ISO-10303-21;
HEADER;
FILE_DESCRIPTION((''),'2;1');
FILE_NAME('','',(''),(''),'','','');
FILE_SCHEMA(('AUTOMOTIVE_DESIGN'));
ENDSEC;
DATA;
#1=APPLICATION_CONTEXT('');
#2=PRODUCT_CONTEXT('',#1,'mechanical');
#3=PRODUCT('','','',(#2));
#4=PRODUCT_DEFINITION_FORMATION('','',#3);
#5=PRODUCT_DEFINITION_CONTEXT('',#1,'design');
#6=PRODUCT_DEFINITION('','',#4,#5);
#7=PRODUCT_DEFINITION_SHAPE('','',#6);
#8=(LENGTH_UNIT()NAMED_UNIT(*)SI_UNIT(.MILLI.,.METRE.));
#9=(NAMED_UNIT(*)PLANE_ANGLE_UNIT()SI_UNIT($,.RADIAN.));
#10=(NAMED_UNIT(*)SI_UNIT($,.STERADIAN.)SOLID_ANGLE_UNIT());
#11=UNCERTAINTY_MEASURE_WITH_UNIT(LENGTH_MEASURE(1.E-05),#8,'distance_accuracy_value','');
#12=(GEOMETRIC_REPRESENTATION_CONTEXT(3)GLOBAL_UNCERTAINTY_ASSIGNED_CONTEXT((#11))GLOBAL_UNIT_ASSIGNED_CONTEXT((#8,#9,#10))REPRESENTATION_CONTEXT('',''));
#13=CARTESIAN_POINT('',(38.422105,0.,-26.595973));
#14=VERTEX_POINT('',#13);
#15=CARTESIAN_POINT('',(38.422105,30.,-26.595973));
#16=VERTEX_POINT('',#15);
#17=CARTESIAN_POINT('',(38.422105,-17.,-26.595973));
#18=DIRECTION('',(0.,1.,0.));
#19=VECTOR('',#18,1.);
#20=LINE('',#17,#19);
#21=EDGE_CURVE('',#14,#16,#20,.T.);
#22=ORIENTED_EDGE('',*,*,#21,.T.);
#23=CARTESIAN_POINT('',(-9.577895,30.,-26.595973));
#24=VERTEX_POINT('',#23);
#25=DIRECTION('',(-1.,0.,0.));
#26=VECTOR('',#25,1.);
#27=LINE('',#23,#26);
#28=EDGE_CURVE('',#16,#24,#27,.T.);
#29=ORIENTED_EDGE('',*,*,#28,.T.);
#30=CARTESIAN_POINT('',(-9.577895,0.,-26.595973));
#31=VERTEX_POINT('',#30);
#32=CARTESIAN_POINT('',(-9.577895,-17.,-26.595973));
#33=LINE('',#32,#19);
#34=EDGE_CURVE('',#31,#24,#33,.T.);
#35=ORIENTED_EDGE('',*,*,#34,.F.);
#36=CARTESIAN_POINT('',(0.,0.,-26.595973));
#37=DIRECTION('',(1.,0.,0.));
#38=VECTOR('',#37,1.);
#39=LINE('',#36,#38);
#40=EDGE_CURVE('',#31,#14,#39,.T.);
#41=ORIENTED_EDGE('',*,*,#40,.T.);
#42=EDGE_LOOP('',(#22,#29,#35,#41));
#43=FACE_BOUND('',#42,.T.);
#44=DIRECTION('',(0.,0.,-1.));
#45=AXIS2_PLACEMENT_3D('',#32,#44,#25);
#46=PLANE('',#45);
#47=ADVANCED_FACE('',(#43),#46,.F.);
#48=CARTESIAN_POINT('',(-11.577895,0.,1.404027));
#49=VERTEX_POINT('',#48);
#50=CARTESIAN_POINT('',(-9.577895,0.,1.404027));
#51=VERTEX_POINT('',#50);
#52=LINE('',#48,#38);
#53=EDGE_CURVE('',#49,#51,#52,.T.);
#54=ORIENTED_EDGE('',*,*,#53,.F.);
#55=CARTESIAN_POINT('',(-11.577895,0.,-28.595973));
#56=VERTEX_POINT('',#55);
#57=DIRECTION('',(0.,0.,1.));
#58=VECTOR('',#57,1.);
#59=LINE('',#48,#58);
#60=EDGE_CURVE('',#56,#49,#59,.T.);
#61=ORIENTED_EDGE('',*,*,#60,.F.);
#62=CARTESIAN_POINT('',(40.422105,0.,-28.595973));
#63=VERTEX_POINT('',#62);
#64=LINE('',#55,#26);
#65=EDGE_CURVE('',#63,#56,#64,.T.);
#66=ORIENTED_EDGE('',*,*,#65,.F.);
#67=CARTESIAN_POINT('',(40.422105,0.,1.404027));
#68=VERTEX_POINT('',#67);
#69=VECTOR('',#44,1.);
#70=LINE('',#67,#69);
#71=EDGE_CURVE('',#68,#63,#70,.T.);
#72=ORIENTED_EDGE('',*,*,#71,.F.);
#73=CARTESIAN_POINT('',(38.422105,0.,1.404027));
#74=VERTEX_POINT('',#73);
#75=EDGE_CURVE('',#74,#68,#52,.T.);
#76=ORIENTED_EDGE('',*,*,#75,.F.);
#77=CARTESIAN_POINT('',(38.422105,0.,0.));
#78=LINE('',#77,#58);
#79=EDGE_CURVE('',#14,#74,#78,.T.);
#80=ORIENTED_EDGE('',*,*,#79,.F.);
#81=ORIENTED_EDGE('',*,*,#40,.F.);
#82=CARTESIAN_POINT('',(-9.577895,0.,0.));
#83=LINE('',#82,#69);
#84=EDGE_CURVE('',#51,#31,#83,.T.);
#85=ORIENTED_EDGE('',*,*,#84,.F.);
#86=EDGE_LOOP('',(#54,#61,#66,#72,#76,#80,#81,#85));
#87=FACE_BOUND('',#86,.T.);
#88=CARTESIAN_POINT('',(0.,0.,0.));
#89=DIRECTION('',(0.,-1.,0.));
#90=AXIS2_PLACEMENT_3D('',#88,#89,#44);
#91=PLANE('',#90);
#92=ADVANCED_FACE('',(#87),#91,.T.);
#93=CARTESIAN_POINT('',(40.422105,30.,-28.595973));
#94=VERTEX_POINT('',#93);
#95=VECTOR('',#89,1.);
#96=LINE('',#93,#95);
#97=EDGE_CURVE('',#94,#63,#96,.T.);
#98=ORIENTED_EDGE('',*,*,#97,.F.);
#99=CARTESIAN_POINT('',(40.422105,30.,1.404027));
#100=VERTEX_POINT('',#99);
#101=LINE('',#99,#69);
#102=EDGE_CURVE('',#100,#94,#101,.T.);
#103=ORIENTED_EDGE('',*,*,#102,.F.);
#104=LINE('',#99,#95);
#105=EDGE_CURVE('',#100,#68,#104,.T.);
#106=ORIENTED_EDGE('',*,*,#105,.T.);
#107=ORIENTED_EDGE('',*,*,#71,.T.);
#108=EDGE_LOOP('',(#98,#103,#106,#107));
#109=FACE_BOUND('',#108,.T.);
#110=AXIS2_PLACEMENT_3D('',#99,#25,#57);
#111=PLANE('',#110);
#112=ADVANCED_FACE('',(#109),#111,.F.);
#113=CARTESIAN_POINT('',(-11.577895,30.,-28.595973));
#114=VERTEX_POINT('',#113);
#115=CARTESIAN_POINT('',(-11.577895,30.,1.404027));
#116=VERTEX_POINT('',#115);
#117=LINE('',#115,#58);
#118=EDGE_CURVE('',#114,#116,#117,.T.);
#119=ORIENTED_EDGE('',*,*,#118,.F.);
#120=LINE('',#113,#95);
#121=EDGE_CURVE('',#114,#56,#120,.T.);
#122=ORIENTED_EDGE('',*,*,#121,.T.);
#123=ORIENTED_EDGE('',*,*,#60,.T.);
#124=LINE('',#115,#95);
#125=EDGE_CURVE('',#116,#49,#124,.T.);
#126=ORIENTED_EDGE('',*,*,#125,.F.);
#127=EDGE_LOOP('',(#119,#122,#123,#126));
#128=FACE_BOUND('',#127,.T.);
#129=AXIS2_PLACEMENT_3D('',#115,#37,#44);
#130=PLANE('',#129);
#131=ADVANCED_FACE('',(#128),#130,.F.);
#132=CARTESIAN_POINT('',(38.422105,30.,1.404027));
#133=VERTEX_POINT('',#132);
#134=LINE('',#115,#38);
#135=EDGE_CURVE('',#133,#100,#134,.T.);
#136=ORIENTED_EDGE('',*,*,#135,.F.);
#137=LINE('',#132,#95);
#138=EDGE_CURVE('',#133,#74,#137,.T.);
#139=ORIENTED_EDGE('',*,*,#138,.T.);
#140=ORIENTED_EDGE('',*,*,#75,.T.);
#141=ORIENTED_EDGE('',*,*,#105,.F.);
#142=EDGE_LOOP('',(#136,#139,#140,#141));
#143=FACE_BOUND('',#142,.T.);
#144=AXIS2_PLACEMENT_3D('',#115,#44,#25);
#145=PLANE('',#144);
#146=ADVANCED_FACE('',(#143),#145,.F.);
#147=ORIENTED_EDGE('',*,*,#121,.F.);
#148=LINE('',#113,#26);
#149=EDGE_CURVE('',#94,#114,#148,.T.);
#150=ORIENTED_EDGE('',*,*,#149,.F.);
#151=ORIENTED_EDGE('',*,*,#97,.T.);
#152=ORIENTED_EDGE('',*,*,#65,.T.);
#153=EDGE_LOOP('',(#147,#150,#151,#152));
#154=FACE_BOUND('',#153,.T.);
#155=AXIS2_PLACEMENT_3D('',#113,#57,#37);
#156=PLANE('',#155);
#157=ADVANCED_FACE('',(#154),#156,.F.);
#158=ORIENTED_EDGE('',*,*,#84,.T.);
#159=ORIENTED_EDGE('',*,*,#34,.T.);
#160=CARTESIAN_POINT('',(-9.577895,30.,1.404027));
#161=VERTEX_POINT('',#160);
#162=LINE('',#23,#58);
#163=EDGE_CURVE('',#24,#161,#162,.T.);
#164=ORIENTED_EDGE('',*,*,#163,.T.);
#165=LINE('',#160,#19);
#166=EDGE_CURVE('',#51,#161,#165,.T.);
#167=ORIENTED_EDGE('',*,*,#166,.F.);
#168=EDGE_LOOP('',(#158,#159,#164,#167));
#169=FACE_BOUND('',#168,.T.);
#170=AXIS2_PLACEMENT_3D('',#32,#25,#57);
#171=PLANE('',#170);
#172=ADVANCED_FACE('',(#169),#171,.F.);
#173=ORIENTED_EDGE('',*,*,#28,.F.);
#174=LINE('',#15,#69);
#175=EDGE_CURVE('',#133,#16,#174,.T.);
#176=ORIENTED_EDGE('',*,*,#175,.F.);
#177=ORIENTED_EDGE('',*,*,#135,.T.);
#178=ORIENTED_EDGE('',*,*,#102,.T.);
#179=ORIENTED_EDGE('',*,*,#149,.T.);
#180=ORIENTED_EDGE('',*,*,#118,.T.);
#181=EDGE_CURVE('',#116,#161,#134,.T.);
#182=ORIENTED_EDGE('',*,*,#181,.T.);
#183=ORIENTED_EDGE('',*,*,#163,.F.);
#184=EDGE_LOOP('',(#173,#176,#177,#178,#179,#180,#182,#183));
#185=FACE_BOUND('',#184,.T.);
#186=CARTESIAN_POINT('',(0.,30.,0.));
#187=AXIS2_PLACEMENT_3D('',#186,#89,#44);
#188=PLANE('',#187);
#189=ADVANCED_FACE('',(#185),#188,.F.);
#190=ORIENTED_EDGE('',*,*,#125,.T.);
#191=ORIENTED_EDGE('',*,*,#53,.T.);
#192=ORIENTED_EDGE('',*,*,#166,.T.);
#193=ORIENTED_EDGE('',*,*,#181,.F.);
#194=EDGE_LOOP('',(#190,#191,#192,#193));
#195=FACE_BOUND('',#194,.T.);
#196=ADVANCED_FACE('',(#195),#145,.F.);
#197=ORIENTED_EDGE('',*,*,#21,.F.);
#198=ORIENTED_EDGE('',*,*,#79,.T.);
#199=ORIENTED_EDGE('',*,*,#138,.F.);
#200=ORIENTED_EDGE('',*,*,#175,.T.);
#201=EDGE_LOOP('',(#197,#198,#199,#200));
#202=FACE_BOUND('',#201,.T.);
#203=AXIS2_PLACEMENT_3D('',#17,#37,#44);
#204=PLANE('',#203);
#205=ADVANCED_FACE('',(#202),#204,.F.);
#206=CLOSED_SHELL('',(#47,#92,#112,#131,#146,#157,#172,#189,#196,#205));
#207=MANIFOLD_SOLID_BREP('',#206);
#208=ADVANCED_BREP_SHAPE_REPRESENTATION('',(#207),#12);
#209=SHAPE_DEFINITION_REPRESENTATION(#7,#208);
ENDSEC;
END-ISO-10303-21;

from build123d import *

# Parameters (mm, degrees)
ESQUISSE1_W             = 52
ESQUISSE1_H             = 30
BOSS_EXTRU_1_DEPTH      = 30
ESQUISSE2_W             = 48
ESQUISSE2_H             = 33.318107494
ENL_V_MAT_EXTRU_1_DEPTH = 47


with BuildPart() as part:
    # Esquisse1 → Boss.-Extru.1 (new body)
    with BuildSketch(Plane(origin=(0, 0, 0), x_dir=(1, 0, 0), z_dir=(0, 1, 0))):
        with Locations((14.422104904, 13.595972846)):
            Rectangle(ESQUISSE1_W, ESQUISSE1_H)
    extrude(amount=BOSS_EXTRU_1_DEPTH)

    # Esquisse2 → Enlèv. mat.-Extru.1 (cut)
    with BuildSketch(Plane(origin=(0, 30, 0), x_dir=(1, 0, 0), z_dir=(0, 1, 0))):
        with Locations((14.422104904, 9.936919099)):
            Rectangle(ESQUISSE2_W, ESQUISSE2_H)
    extrude(amount=-ENL_V_MAT_EXTRU_1_DEPTH, mode=Mode.SUBTRACT)


solid = part.part
